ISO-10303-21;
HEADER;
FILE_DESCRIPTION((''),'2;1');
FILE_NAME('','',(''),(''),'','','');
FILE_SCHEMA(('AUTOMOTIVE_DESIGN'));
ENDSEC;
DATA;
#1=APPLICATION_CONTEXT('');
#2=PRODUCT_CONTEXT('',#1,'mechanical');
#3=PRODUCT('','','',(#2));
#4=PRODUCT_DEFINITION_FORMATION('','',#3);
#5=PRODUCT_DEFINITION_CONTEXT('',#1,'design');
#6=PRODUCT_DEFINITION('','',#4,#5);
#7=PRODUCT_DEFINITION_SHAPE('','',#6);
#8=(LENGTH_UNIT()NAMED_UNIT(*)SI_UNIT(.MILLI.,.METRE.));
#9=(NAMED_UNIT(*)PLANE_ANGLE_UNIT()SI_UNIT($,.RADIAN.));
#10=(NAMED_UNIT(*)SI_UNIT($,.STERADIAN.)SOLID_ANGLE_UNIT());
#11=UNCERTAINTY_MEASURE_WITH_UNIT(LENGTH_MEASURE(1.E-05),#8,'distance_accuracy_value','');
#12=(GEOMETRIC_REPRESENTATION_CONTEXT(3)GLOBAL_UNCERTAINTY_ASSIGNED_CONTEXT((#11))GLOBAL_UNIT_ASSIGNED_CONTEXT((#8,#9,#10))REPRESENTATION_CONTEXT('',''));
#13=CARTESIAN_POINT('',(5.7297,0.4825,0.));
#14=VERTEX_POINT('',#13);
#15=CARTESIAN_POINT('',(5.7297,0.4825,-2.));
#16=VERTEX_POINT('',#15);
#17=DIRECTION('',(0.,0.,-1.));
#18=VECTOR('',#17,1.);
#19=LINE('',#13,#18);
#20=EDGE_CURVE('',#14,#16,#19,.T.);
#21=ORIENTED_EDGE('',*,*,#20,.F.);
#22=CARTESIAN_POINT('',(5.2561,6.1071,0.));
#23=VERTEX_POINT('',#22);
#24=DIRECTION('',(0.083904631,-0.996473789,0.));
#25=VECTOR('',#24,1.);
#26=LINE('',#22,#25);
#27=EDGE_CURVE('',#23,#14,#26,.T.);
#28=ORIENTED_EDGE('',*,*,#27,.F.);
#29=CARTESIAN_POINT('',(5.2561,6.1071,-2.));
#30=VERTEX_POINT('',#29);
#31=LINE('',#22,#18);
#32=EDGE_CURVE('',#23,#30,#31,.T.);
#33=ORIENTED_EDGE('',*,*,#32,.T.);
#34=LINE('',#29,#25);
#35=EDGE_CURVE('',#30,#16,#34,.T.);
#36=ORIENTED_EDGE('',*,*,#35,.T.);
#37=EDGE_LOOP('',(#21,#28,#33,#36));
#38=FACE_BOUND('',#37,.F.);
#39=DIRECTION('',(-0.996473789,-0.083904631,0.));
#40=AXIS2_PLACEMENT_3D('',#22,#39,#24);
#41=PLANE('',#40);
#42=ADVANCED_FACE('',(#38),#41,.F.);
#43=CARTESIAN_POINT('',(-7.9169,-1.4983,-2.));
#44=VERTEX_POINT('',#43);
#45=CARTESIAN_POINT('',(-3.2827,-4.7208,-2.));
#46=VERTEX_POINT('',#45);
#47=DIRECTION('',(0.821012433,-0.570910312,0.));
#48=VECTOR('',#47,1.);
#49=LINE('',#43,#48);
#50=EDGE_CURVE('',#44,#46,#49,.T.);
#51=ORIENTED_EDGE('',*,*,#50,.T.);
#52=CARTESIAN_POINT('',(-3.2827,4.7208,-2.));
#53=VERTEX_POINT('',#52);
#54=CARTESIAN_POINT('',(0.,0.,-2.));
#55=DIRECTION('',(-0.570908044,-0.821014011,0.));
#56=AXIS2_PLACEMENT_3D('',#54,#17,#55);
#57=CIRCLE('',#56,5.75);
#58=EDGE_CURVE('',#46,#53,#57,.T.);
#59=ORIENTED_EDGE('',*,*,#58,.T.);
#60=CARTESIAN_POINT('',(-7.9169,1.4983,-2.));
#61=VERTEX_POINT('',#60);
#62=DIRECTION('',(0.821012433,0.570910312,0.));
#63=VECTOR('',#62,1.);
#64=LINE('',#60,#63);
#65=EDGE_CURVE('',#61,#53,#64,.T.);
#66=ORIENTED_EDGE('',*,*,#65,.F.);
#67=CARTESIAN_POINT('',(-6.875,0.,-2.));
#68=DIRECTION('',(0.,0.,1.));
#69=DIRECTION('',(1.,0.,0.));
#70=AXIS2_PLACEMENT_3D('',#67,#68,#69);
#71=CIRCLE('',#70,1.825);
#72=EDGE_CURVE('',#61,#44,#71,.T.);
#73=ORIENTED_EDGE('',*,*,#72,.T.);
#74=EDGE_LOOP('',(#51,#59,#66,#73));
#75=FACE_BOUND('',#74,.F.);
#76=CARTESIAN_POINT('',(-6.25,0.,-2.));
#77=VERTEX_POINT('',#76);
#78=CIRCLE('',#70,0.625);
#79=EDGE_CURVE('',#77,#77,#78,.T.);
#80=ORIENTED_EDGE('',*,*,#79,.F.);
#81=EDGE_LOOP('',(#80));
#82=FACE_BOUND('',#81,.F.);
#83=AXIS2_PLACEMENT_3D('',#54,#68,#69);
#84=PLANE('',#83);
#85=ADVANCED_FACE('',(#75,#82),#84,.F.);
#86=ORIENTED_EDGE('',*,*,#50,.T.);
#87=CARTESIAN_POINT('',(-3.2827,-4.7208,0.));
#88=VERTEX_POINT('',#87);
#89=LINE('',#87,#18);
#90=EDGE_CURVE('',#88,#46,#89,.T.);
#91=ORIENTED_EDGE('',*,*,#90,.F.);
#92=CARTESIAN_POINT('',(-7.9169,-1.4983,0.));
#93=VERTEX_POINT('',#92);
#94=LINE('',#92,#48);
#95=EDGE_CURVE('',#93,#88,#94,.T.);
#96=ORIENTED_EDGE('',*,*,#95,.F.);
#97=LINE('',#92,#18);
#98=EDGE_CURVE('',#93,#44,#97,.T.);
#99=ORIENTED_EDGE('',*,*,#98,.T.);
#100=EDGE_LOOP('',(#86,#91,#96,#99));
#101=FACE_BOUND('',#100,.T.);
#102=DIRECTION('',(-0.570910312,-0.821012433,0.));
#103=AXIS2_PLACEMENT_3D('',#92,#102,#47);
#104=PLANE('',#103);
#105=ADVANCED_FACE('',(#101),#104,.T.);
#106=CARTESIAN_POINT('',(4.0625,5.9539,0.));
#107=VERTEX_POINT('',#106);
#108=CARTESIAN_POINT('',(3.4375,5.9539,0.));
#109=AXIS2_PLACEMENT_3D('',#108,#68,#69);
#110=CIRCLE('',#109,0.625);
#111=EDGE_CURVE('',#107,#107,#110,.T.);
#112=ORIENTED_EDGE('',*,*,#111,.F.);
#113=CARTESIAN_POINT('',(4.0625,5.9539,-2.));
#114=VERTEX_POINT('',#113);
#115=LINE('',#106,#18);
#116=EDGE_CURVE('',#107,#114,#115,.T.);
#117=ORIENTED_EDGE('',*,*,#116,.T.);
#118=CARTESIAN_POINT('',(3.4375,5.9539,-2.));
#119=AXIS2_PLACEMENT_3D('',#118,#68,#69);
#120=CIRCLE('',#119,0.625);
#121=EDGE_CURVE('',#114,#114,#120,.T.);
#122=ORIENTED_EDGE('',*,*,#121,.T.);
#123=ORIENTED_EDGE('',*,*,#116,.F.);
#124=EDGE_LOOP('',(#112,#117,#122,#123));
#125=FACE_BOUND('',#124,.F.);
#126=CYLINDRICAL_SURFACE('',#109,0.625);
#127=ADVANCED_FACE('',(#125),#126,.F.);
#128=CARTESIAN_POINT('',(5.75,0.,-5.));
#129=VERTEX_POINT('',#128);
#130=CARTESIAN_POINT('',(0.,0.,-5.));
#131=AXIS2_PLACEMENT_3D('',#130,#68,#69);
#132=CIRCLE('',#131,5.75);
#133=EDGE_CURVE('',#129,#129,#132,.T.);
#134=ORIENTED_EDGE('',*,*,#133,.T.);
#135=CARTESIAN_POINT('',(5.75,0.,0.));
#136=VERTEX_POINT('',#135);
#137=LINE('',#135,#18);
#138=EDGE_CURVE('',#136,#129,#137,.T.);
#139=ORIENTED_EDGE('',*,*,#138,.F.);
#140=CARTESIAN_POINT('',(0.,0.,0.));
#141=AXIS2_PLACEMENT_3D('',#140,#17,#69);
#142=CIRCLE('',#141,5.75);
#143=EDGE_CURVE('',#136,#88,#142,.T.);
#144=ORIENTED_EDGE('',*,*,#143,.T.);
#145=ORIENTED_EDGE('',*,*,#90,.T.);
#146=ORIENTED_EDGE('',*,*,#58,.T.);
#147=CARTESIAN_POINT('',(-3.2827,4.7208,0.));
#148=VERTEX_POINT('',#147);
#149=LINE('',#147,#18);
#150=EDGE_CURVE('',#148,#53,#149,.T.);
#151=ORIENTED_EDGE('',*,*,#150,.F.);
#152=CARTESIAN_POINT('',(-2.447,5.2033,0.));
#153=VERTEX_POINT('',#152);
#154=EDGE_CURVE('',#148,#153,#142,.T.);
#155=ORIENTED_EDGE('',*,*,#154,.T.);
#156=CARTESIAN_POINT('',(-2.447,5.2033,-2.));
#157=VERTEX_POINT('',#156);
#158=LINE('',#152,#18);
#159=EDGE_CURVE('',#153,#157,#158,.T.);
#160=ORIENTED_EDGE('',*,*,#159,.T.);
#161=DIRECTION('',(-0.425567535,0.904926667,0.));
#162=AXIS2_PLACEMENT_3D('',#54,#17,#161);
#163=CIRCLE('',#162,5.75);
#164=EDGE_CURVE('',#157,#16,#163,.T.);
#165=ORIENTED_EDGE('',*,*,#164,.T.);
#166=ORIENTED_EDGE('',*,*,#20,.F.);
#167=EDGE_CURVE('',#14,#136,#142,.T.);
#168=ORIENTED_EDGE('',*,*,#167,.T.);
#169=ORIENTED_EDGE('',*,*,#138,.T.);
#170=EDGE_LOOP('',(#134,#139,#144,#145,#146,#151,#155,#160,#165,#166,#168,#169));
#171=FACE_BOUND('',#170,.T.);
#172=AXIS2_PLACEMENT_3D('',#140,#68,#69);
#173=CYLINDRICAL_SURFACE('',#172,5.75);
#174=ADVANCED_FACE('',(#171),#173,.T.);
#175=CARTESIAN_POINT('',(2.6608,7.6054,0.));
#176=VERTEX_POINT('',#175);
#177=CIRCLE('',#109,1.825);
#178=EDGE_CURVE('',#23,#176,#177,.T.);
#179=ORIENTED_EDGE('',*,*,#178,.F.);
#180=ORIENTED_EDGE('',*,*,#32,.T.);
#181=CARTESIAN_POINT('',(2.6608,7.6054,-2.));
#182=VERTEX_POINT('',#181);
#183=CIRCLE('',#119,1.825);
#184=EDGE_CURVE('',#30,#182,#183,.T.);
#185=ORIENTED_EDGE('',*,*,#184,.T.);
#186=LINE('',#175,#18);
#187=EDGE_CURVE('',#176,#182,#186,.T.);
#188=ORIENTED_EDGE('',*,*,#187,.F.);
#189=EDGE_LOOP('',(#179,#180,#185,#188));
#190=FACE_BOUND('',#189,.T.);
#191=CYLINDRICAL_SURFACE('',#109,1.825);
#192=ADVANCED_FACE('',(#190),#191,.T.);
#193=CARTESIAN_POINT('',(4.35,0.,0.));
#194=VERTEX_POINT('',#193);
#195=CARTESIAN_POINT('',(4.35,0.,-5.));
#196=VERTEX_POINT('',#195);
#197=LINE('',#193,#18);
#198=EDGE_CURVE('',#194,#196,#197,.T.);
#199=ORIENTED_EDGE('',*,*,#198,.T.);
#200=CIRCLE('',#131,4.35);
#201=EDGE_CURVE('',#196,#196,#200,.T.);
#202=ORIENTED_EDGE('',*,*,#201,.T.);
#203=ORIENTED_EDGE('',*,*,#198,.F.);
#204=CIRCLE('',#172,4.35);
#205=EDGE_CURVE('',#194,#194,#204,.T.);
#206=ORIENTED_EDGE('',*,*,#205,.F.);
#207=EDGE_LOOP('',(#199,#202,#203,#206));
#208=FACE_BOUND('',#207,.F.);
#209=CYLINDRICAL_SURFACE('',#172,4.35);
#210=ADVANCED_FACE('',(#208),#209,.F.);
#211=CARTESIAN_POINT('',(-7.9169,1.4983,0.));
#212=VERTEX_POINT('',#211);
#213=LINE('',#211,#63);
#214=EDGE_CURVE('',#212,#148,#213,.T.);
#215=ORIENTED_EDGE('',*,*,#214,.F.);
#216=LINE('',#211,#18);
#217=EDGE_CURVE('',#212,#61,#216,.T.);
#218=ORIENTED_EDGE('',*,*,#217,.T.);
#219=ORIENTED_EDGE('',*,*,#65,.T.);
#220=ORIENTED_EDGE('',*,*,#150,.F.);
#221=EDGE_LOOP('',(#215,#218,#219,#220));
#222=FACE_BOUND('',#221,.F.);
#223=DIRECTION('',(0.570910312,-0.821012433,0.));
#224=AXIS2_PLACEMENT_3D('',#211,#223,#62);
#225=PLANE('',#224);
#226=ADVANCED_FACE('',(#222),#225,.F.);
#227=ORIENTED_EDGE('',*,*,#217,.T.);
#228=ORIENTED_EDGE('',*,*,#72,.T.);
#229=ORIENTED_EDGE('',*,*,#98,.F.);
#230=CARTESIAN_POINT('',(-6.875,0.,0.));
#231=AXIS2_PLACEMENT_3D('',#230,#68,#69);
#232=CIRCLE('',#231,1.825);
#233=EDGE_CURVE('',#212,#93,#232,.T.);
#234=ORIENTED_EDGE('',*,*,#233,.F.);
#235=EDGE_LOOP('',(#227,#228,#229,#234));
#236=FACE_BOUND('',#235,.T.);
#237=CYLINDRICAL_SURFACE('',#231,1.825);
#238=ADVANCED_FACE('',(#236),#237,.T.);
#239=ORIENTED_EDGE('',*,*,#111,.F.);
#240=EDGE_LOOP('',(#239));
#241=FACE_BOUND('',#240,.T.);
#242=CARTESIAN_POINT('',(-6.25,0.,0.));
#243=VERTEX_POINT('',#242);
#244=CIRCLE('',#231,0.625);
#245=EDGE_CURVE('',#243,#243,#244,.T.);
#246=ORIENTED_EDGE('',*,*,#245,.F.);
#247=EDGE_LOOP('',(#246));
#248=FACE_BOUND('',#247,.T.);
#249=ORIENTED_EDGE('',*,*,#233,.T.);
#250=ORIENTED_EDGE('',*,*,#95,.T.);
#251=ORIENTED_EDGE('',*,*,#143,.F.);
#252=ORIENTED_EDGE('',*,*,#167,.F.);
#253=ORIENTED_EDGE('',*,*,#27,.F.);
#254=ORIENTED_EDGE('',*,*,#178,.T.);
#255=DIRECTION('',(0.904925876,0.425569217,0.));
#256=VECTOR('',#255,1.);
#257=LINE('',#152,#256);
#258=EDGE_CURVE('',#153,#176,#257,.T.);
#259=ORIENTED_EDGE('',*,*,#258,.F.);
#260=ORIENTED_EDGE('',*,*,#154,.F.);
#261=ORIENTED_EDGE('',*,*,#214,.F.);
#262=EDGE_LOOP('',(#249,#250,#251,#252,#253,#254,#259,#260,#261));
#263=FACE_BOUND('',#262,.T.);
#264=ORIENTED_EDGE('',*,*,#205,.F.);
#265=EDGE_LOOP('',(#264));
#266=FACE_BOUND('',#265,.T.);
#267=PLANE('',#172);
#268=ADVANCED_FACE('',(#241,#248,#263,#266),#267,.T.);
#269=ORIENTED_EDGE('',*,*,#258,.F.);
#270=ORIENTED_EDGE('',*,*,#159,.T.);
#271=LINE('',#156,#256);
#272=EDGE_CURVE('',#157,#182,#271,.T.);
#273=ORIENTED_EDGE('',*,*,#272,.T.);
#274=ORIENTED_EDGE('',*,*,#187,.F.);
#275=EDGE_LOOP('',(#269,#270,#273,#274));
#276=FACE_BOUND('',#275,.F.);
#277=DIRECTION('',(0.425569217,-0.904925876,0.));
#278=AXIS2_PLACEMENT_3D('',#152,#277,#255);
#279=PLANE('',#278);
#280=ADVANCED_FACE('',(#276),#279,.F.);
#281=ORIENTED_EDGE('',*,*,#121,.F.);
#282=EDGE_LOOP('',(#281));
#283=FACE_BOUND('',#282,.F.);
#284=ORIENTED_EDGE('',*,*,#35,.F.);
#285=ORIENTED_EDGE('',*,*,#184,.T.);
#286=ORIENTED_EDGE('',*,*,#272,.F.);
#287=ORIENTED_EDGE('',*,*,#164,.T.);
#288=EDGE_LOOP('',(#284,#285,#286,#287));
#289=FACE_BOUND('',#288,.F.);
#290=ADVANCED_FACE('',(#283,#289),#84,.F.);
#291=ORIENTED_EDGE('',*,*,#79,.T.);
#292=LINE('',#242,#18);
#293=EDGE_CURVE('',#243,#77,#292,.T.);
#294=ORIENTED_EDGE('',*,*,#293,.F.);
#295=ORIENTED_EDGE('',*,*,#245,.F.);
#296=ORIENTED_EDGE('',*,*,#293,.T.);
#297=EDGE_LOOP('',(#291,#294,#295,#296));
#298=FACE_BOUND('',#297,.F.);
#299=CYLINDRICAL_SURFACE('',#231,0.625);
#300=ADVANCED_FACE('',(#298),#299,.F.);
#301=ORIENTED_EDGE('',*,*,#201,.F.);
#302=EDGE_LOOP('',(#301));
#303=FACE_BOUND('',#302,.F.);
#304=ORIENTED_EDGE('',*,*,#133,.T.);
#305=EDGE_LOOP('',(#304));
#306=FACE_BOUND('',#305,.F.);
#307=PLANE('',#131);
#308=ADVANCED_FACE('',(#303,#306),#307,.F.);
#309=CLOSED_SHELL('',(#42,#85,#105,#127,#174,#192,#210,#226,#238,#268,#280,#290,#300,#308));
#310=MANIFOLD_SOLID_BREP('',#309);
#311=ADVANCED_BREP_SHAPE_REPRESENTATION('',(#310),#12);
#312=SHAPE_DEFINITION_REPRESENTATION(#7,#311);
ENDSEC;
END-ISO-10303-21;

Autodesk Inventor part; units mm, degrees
ref_plane "YZ Plane" through (0, 0, 0) normal (1, 0, 0) x (0, 1, 0)
ref_plane "XZ Plane" through (0, 0, 0) normal (0, 1, 0) x (-1, 0, 0)
ref_plane "XY Plane" through (0, 0, 0) normal (0, 0, 1) x (1, 0, 0)
sketch "スケッチ1" plane through (0, 0, 0) normal (0, 0, 1) x (1, 0, 0)
  circle A0 centre (0, 0) radius 2.25 construction
  circle A1 centre (0, 0) radius 4.35
  circle A2 centre (0, 0) radius 5.75
  circle A3 centre (-6.875, 0) radius 0.625
  circle A4 centre (3.4375, 5.9539) radius 0.625
  circle A5 centre (0, 0) radius 6.875 construction
  circle A6 centre (-6.875, 0) radius 1.825
  circle A7 centre (3.4375, 5.9539) radius 1.825
  line L0 (-7.9169, 1.4983) -> (-3.2827, 4.7208)
  line L1 (-7.9169, -1.4983) -> (-3.2827, -4.7208)
  line L2 (5.2561, 6.1071) -> (5.7297, 0.4825)
  line L3 (-2.447, 5.2033) -> (2.6608, 7.6054)
  line L4 (3.4375, 5.9539) -> (0, 0) construction
  line L5 (0, 0) -> (-6.875, 0) construction
  circle A8 centre (0, 0) radius 4.25
  circle A9 centre (0, 0) radius 4.25
  point P0 (3.9306, 4.1968)
  point P1 (1.6692, 5.5024)
  point P2 (-5.5998, 1.3056)
  point P3 (-5.5998, -1.3056)
  dimension "d2" = 4.5
  dimension "d5" = 1.25
  dimension "d6" = 1.25
  dimension "d7" = 1.2
  dimension "d8" = 1.2
  dimension "d9" = 0.5
  dimension "d18" = 120
  dimension "d22" = 13.75
  dimension "d23" = 8.5
  dimension "d25" = 8.5
  dimension "d26" = 1.5
  dimension "d27" = 0.1
extrude "押し出し1" add sketch "スケッチ1" against normal blind 5 contours A2 A6 A7 | A7 A2 | A2 A6 picked at (2.6949, 4.8059) picked at (-5.5055, 0)
extrude "押し出し3" add sketch "スケッチ1" against normal blind 2 contours L1 A6 A2 | A6 A2 | A6 L0 A2 picked at (-5.951, -0.7528)
extrude "押し出し4" add sketch "スケッチ1" against normal blind 2 contours A2 A7 L2 | A2 A7 | A2 L3 A7 picked at (3.6121, 4.7707)
equation "\"d6\" = d5"
equation "\"d8\" = d7"
properties part number "motorauxiliary"
